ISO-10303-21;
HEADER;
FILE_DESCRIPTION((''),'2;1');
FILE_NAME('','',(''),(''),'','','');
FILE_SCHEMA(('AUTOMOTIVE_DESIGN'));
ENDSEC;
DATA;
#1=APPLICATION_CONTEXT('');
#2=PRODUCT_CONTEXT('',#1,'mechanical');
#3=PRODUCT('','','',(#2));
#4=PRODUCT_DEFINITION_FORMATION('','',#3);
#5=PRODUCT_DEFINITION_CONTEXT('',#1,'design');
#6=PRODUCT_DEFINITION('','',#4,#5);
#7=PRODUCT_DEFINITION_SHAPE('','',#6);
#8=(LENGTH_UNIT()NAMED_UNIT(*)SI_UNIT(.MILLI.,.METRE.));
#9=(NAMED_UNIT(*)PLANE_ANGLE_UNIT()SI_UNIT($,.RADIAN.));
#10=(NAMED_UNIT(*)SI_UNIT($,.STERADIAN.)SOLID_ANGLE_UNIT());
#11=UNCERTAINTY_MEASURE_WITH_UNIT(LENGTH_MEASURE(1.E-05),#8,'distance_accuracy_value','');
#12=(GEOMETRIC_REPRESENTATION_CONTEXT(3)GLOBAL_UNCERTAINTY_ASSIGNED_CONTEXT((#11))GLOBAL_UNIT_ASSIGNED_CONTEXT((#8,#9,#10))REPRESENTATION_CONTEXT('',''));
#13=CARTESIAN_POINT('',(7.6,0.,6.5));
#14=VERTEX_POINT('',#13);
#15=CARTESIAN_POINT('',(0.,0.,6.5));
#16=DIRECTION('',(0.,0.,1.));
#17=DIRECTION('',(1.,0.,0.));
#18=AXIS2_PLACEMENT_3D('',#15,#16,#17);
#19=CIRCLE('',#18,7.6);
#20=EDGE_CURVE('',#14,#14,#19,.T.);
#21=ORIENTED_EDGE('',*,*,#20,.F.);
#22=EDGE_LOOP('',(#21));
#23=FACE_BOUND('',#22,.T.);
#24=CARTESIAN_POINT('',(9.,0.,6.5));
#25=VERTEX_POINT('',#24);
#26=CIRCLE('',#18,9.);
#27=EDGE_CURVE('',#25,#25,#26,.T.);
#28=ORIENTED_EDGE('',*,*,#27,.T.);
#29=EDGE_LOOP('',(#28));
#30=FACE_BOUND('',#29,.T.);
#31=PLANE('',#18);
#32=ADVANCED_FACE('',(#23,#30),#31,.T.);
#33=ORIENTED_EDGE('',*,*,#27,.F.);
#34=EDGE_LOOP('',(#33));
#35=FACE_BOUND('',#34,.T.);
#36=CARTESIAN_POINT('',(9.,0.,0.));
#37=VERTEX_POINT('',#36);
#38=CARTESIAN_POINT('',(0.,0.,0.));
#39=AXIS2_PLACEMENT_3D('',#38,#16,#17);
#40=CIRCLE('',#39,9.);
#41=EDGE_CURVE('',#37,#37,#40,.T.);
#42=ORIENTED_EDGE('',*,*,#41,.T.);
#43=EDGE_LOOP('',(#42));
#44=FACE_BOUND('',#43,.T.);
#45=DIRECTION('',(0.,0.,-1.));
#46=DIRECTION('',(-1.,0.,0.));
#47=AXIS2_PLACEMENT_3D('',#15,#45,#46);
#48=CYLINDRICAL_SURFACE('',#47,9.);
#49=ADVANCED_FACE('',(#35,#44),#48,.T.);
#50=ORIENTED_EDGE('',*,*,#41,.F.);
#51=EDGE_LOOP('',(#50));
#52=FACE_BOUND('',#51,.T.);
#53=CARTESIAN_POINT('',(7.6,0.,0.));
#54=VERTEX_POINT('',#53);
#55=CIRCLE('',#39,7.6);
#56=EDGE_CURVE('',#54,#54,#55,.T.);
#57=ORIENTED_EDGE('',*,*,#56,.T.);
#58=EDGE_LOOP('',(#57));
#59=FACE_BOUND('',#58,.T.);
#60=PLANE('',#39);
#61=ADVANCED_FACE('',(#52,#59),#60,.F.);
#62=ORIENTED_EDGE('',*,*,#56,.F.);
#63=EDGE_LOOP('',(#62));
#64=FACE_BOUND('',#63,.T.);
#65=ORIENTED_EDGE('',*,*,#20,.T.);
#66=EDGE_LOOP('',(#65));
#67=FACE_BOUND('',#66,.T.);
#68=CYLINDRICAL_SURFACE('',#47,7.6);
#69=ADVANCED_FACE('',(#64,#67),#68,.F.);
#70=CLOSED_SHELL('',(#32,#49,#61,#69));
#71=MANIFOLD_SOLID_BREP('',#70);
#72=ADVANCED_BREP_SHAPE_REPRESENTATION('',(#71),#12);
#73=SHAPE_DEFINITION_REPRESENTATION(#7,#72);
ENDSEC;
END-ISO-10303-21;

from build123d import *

# Parameters (mm, degrees)
ESQUISSE1_R        = 9
ESQUISSE1_R_2      = 7.6
BOSS_EXTRU_1_DEPTH = 6.5


with BuildPart() as part:
    # Esquisse1 → Boss.-Extru.1 (new body)
    with BuildSketch(Plane.XY):
        Circle(ESQUISSE1_R)
        Circle(ESQUISSE1_R_2, mode=Mode.SUBTRACT)
    extrude(amount=BOSS_EXTRU_1_DEPTH)


solid = part.part
